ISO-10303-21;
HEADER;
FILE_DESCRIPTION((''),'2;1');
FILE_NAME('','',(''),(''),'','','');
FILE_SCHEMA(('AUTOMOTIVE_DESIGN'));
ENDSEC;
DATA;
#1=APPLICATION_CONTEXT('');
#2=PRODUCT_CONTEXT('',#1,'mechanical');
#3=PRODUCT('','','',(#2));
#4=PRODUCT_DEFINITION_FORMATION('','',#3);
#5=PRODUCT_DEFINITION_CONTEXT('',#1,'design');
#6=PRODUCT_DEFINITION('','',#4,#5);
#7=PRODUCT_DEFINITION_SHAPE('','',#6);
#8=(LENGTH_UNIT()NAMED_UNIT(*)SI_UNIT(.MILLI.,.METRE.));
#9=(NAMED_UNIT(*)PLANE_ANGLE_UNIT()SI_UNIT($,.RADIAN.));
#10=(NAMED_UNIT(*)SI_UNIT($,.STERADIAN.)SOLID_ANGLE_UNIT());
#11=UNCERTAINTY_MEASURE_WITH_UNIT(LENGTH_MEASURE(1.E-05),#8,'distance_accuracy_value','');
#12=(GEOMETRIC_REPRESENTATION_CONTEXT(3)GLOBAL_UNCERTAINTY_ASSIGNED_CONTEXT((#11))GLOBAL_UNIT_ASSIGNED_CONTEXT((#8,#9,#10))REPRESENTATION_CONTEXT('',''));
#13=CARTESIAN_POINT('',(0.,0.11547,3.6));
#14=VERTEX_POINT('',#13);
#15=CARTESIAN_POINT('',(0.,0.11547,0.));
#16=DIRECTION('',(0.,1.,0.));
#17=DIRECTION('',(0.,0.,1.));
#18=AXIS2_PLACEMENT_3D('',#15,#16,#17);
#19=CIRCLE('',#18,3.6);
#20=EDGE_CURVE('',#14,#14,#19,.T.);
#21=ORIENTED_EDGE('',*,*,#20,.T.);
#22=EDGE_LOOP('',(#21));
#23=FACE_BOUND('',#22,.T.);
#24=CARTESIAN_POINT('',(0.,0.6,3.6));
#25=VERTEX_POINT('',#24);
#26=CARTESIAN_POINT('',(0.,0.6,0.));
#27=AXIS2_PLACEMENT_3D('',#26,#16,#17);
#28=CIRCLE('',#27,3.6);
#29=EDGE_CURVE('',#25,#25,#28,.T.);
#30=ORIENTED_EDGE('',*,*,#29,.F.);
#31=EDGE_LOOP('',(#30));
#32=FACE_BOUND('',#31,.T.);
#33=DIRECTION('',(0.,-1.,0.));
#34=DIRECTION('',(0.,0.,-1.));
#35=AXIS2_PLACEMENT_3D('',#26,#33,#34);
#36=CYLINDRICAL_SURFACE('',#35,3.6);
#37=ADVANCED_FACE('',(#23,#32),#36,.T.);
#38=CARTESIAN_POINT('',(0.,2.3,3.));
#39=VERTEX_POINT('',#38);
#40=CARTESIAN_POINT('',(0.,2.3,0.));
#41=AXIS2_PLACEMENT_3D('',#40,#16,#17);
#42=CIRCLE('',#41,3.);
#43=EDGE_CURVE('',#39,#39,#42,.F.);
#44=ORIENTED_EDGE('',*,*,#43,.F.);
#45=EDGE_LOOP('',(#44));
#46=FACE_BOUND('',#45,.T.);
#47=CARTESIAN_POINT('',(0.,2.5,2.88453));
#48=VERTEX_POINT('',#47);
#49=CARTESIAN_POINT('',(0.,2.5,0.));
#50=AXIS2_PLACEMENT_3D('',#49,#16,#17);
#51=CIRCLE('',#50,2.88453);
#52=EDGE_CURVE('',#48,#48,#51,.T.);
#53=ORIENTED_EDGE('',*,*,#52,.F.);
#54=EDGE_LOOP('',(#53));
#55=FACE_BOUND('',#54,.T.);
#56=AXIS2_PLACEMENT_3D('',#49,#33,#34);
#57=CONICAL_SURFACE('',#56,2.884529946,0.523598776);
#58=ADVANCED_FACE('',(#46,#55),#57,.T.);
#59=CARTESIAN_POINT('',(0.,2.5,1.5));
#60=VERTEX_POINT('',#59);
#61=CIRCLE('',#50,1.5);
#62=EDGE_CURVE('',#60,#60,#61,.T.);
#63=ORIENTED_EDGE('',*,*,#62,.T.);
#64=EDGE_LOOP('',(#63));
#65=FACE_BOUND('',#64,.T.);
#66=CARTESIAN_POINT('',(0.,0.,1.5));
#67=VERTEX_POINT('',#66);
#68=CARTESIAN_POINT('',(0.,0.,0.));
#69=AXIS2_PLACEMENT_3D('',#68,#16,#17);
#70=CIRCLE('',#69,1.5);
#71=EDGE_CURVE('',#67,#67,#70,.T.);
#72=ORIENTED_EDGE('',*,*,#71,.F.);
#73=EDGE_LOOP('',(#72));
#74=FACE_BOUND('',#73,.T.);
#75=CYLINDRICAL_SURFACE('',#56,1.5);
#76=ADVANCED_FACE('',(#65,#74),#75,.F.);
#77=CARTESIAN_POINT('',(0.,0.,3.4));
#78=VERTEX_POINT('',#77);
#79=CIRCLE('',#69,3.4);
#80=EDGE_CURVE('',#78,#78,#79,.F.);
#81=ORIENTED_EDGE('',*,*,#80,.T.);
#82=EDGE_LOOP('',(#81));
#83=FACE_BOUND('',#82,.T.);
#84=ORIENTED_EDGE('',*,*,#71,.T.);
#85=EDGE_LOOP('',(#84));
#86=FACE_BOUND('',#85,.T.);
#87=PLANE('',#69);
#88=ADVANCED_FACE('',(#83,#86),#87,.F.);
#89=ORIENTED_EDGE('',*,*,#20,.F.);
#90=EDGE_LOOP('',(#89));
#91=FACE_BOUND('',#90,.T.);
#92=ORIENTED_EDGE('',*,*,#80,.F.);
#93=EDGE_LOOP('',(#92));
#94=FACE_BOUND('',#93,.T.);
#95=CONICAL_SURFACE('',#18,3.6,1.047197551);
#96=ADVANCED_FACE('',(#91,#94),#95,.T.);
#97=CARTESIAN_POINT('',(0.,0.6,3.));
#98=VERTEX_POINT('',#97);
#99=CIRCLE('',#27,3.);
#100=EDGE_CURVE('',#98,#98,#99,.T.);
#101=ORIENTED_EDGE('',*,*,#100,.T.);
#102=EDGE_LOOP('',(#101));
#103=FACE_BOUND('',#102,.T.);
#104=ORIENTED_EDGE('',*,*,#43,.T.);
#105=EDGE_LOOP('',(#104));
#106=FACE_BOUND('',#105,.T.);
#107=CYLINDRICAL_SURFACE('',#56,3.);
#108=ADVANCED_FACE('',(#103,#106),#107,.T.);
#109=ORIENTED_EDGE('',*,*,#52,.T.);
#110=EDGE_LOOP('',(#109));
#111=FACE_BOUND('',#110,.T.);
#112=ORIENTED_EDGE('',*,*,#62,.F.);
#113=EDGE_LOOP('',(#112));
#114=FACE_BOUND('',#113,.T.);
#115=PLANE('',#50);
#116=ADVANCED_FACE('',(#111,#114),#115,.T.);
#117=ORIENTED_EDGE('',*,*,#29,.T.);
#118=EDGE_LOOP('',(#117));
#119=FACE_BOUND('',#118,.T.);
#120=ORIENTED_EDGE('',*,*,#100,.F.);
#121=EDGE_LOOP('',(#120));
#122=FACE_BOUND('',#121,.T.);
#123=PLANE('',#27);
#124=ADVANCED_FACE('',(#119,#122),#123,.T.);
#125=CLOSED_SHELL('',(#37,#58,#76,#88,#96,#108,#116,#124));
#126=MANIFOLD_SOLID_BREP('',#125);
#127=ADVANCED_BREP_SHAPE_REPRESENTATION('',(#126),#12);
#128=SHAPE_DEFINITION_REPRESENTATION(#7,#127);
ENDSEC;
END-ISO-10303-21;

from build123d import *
from OCP.BRepFilletAPI import BRepFilletAPI_MakeChamfer

# Parameters (mm, degrees)
SKETCH_1_R      = 3
SKETCH_1_R_2    = 1.5
EXTRUDE_1_DEPTH = 2.5
SKETCH_1_3_R    = 3.6
SKETCH_1_3_R_2  = 3
EXTRUDE_2_DEPTH = 0.6
CHAMFER_1_SIZE  = 0.2
CHAMFER_1_SIZE2 = 0.115470054


with BuildPart() as part:
    # 草图1 → 凸台-拉伸1 (new body)
    with BuildSketch(Plane(origin=(0, 0, 0), x_dir=(1, 0, 0), z_dir=(0, 1, 0))):
        Circle(SKETCH_1_R)
        Circle(SKETCH_1_R_2, mode=Mode.SUBTRACT)
    extrude(amount=EXTRUDE_1_DEPTH)

    # 草图1<3> → 凸台-拉伸2 (add)
    with BuildSketch(Plane(origin=(0, 0, 0), x_dir=(1, 0, 0), z_dir=(0, 1, 0))):
        Circle(SKETCH_1_3_R)
        Circle(SKETCH_1_3_R_2, mode=Mode.SUBTRACT)
    extrude(amount=EXTRUDE_2_DEPTH)

    # 倒角1: one chamfer whose edges measure the first distance from different faces: ONE call of the kernel's chamfer builder (chamfer() names one face for all edges)
    chamfer_1_edges_1 = [part.edges().sort_by_distance(p)[0] for p in [
        (-3, 2.5, 0),
    ]]
    chamfer_1_side_1 = [part.faces().sort_by_distance(p)[0] for p in [
        (-3, 1.55, 0),
    ]]
    chamfer_1_edges_2 = [part.edges().sort_by_distance(p)[0] for p in [
        (-3.6, 0, 0),
    ]]
    chamfer_1_side_2 = [part.faces().sort_by_distance(p)[0] for p in [
        (-3.498176624, 0, 0),
    ]]
    chamfer_1 = BRepFilletAPI_MakeChamfer(part.part.solid().wrapped)
    for e in chamfer_1_edges_1:
        chamfer_1.Add(CHAMFER_1_SIZE, CHAMFER_1_SIZE2, e.wrapped, chamfer_1_side_1[0].wrapped)  # the first distance lies on this face
    for e in chamfer_1_edges_2:
        chamfer_1.Add(CHAMFER_1_SIZE, CHAMFER_1_SIZE2, e.wrapped, chamfer_1_side_2[0].wrapped)  # the first distance lies on this face
    add(Compound.cast(chamfer_1.Shape()), mode=Mode.REPLACE)


solid = part.part
